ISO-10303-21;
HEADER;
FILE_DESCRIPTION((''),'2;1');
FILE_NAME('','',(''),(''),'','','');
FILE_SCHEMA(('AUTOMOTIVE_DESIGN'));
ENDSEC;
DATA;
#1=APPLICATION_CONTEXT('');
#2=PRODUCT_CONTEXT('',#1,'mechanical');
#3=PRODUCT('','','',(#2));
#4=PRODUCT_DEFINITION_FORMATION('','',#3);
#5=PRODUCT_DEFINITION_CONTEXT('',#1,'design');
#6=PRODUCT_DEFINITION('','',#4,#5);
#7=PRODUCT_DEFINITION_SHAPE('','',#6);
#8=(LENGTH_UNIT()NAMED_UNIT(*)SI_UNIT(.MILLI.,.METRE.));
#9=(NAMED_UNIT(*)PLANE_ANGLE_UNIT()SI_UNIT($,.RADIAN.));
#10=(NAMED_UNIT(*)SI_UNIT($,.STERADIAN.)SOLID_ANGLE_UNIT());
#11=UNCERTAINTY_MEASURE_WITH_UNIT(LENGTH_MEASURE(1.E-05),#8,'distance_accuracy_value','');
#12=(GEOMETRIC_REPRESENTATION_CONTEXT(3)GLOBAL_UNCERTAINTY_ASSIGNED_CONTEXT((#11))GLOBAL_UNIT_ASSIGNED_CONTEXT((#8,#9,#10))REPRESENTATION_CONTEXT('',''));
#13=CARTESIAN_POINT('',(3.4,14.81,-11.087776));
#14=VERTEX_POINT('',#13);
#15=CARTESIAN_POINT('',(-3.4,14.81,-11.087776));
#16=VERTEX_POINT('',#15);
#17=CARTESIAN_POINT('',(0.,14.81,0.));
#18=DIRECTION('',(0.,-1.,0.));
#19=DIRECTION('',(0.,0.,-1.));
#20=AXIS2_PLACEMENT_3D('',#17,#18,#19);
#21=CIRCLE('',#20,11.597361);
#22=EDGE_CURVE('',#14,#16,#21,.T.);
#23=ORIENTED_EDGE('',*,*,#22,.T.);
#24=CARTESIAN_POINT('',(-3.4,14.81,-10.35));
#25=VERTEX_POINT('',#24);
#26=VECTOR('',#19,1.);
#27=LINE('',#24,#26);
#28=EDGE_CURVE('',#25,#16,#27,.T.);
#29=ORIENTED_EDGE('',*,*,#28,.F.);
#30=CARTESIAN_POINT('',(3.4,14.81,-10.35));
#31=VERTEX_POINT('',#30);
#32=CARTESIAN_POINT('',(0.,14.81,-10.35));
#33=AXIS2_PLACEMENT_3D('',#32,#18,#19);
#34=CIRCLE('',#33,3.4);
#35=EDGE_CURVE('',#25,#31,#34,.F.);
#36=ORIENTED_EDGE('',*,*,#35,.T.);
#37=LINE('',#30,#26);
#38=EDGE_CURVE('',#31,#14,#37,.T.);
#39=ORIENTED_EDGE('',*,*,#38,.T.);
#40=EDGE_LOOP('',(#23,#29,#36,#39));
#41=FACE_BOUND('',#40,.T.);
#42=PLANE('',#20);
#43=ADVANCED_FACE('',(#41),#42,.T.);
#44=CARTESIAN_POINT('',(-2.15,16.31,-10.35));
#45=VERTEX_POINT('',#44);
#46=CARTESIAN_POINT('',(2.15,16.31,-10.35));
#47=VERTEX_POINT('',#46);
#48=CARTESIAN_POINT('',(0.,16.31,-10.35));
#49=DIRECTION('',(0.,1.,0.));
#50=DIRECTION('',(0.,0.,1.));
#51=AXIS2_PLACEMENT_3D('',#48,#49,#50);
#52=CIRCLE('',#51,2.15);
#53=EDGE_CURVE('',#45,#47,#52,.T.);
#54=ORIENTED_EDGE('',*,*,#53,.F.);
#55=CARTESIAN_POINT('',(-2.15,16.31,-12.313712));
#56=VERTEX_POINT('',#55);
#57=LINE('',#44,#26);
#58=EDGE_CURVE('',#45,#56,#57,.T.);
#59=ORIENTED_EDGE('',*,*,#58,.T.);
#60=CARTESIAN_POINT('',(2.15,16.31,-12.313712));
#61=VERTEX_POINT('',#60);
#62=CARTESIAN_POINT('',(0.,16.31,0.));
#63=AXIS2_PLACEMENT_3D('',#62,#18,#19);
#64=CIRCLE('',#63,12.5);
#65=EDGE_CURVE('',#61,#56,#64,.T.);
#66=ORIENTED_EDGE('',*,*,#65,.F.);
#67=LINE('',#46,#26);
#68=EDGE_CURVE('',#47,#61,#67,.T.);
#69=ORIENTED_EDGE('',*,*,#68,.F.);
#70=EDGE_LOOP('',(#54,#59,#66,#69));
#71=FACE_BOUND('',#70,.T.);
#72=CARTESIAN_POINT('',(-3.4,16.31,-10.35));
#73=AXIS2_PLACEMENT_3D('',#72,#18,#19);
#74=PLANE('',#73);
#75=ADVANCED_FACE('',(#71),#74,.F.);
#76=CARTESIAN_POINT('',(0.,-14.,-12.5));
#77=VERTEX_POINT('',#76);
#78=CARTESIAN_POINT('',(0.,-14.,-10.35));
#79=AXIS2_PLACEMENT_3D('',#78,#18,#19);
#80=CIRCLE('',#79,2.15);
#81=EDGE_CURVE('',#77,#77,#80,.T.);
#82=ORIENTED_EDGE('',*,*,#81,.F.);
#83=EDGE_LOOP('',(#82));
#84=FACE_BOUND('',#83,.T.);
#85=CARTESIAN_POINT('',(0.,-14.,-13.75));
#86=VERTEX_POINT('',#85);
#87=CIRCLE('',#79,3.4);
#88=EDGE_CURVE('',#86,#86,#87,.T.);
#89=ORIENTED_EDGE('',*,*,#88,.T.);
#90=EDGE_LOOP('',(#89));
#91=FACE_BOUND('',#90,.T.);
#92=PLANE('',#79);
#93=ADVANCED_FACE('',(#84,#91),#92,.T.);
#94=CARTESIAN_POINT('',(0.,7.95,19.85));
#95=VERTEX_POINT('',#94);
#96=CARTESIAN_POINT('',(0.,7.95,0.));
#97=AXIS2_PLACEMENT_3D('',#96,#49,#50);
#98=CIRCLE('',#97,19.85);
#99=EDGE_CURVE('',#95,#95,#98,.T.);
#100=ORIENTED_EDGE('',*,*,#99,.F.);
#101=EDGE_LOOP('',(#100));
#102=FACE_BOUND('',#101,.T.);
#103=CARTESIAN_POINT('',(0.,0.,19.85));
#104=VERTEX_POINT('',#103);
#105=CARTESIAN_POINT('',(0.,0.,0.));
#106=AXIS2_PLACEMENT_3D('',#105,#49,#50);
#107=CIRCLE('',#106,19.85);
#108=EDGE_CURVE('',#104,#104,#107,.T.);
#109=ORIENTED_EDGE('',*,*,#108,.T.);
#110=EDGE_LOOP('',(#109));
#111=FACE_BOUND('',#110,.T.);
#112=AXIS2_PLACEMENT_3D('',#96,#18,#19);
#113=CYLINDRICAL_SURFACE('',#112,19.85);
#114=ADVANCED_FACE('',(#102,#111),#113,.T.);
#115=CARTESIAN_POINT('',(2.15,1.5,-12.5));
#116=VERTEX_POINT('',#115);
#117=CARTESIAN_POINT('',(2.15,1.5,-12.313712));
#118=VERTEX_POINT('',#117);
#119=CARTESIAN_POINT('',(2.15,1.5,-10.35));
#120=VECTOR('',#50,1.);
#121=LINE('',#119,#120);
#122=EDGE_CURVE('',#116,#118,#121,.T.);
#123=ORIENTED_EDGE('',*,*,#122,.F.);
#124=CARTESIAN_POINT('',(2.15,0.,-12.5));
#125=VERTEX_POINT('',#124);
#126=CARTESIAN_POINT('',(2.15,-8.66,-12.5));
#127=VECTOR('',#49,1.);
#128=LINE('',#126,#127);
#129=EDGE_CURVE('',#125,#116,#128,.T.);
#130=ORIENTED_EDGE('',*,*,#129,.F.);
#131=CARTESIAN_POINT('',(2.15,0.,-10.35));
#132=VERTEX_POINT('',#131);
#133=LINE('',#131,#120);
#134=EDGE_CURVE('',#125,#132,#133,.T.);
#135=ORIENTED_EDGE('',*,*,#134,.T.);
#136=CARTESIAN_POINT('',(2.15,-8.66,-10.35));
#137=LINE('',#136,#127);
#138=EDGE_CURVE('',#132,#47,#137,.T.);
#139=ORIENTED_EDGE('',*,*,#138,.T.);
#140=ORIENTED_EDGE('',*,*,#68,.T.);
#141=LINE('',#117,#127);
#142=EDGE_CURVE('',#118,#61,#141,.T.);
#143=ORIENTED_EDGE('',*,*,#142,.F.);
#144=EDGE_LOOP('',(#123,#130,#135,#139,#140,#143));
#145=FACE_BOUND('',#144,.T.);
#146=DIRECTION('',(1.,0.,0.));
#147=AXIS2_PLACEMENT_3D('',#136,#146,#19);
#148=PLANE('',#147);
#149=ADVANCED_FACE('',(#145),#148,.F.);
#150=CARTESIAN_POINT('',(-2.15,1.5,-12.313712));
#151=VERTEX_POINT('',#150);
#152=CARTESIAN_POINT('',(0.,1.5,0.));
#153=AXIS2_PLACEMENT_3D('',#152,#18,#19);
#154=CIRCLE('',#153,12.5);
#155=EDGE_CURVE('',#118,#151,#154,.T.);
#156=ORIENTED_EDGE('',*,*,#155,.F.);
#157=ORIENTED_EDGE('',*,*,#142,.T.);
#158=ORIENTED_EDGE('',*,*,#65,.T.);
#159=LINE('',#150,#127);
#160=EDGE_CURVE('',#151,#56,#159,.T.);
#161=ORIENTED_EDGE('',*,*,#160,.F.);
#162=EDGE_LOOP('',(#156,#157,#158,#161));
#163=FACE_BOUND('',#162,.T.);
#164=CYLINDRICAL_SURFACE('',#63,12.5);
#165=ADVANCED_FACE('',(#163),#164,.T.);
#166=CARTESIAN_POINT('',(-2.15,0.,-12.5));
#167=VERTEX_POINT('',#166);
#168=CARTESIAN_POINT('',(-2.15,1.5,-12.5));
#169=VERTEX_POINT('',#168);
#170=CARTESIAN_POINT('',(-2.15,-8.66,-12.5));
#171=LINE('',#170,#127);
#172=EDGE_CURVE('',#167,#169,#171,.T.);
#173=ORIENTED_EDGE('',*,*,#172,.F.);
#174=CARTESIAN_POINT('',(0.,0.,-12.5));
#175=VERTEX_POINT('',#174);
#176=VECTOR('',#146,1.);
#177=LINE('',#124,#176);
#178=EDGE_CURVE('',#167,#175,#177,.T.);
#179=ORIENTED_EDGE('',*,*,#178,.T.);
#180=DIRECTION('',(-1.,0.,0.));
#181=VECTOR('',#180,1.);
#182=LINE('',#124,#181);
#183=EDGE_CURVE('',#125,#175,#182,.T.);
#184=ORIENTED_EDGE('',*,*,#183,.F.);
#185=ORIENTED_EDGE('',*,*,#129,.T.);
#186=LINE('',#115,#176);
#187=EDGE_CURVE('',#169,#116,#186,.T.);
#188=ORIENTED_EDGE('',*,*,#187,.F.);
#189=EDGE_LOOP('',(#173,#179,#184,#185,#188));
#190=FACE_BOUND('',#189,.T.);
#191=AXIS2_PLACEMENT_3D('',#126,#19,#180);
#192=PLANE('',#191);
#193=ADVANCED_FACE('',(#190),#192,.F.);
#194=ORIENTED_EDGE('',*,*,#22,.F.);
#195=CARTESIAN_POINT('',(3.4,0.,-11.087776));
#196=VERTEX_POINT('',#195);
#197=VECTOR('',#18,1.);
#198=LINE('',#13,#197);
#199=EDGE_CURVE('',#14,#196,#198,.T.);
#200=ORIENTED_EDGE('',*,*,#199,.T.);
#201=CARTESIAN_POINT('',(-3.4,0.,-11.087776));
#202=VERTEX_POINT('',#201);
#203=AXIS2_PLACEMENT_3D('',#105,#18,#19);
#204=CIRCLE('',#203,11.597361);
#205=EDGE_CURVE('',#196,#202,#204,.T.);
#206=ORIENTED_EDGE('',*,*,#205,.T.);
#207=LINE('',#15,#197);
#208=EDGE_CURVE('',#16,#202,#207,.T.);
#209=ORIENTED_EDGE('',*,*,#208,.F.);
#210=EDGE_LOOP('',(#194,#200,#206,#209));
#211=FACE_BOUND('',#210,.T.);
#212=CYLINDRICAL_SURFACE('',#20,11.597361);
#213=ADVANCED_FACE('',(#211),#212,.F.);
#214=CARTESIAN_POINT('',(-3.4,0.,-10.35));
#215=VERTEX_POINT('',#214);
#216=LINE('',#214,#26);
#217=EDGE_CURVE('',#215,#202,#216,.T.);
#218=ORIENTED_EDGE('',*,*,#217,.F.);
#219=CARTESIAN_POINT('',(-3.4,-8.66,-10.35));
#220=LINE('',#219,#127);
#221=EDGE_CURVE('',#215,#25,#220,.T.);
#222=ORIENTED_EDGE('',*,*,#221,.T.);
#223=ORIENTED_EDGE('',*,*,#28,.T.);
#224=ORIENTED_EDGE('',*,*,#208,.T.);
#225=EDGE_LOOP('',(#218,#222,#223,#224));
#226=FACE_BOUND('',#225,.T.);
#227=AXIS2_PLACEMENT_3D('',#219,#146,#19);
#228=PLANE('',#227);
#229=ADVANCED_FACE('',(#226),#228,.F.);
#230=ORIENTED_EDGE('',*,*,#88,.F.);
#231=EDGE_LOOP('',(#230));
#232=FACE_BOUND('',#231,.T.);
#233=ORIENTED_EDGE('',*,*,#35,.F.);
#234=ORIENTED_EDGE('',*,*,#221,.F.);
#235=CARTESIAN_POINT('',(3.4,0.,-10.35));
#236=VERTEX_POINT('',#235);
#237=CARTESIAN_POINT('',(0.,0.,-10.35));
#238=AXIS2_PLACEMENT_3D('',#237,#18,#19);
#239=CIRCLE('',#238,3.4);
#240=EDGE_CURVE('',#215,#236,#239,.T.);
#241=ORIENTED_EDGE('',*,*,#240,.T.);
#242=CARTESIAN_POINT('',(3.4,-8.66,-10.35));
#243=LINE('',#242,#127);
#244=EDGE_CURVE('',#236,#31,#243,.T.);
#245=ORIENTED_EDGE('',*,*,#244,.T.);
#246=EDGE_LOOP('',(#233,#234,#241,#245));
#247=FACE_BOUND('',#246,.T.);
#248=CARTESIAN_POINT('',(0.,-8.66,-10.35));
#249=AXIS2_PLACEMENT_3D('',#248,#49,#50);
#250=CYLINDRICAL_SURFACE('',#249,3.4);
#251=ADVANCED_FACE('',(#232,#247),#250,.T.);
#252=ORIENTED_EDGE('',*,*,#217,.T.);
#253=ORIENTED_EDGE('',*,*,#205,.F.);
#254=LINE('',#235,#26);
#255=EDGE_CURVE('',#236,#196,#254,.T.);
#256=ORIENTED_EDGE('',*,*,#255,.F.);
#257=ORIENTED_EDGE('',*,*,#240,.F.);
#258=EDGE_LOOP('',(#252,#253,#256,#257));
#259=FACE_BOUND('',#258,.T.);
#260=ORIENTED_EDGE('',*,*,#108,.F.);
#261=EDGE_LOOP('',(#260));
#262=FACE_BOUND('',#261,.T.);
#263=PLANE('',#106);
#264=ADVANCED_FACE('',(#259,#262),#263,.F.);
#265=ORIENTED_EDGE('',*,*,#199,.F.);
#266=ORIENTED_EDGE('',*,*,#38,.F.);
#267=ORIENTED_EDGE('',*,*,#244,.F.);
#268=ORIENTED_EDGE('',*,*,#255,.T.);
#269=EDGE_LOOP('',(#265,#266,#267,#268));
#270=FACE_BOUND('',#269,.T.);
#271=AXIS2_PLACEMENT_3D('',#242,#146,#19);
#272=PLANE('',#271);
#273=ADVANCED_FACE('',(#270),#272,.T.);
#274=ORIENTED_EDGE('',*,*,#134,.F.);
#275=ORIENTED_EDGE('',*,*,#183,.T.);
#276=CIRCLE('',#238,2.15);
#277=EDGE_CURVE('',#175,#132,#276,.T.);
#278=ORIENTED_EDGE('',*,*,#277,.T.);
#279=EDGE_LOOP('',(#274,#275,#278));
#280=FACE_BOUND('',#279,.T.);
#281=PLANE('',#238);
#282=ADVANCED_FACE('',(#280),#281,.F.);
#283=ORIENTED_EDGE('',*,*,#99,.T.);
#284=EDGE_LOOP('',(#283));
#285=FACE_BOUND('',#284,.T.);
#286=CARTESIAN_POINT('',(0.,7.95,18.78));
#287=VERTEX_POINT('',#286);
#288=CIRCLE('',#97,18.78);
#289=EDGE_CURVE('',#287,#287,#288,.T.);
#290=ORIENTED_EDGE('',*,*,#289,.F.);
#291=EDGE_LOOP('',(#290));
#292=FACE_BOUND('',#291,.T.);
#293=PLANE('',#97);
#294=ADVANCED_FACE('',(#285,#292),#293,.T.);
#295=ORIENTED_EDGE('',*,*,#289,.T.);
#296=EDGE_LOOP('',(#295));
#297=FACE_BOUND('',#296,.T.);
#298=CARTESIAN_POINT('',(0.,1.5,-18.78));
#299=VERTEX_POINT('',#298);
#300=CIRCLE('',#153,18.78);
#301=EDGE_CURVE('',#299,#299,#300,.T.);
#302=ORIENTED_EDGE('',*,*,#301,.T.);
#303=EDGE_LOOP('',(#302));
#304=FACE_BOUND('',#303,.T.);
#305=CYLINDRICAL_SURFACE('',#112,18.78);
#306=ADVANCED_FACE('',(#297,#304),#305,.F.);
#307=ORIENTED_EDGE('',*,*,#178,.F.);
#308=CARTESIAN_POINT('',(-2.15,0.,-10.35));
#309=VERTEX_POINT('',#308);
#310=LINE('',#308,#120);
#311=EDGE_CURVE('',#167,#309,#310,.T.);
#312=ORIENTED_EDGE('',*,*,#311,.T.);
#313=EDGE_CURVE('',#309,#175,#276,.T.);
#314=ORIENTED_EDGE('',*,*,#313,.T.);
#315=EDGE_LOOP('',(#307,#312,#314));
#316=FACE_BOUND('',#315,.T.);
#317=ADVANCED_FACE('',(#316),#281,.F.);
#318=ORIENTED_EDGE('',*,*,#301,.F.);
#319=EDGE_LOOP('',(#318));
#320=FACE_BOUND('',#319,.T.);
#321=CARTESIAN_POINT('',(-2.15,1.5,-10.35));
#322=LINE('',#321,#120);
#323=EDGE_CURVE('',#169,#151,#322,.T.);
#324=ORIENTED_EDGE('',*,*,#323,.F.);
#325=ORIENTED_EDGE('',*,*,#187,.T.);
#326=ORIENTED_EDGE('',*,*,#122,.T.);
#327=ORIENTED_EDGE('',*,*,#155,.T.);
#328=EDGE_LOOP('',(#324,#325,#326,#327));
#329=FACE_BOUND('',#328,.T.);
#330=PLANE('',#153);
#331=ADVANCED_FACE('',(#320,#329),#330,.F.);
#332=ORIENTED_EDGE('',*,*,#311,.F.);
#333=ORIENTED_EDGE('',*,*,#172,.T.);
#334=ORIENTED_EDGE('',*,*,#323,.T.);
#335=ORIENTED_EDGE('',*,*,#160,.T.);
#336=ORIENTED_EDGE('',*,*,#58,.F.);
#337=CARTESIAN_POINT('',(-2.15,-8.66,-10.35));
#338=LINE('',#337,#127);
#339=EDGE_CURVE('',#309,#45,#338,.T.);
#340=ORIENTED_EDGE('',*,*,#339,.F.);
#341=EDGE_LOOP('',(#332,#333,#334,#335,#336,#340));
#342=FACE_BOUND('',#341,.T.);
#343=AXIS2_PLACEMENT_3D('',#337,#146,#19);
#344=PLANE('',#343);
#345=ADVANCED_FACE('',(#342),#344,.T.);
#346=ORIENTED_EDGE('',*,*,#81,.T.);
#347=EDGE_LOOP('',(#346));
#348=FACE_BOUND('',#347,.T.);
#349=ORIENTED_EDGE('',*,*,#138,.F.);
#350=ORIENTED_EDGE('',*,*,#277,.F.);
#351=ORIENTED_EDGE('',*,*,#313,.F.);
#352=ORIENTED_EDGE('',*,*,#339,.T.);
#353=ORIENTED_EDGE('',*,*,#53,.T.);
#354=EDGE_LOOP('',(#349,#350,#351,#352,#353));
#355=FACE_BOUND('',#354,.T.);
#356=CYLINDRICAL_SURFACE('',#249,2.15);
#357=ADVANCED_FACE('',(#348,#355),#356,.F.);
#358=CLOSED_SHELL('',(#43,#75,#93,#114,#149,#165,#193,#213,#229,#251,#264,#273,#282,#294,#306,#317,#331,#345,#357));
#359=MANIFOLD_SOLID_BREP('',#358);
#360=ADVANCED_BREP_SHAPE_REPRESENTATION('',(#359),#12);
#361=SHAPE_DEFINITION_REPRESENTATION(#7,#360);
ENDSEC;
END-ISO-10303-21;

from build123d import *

# Parameters (mm, degrees)
SKETCH1_R            = 19.85
SKETCH1_R_2          = 18.78
BOSS_EXTRUDE3_DEPTH  = 7.95
SKETCH2_R            = 18.78
BOSS_EXTRUDE5_DEPTH  = 1.5
SKETCH4_R            = 12.5
BOSS_EXTRUDE6_DEPTH  = 16.31
SKETCH5_R            = 2.15
SKETCH5_W            = 4.3
SKETCH5_H            = 2.15
CUT_EXTRUDE2_DEPTH   = 16.31
SKETCH6_R            = 11.597360911
CUT_EXTRUDE3_DEPTH   = 14.809999892
SKETCH12_R           = 3.4
SKETCH12_W           = 6.8
SKETCH12_H           = 3.4
BOSS_EXTRUDE8_DEPTH  = 24.969999892
SKETCH5_6_R          = 2.15
SKETCH5_6_W          = 4.3
SKETCH5_6_H          = 2.15
CUT_EXTRUDE5_DEPTH   = 24.969999892
CUT_EXTRUDE6_START   = -14.81
SKETCH14_R           = 15.219310499
SKETCH14_R_2         = 12.5
CUT_EXTRUDE6_DEPTH   = 14.81
SKETCH17_W           = 6.8
SKETCH17_H           = 2.662223843
CUT_EXTRUDE7_DEPTH   = 16.587999892
SKETCH18_R           = 3.4
SKETCH18_R_2         = 2.15
BOSS_EXTRUDE10_DEPTH = 14
SKETCH19_R           = 5.618160511
SKETCH19_R_2         = 3.4
CUT_EXTRUDE8_DEPTH   = 14


with BuildPart() as part:
    # Sketch1 → Boss-Extrude3 (new body)
    with BuildSketch(Plane(origin=(0, 0, 0), x_dir=(1, 0, 0), z_dir=(0, 1, 0))):
        Circle(SKETCH1_R)
        Circle(SKETCH1_R_2, mode=Mode.SUBTRACT)
    extrude(amount=BOSS_EXTRUDE3_DEPTH)

    # Sketch2 → Boss-Extrude5 (add)
    with BuildSketch(Plane.XZ):
        Circle(SKETCH2_R)
    extrude(amount=-BOSS_EXTRUDE5_DEPTH)


with BuildPart() as body_2:
    # Sketch4 → Boss-Extrude6 (new body)
    with BuildSketch(Plane.XZ):
        Circle(SKETCH4_R)
    extrude(amount=-BOSS_EXTRUDE6_DEPTH)


with BuildPart() as cut_extrude2_tool:
    # Sketch5 → Cut-Extrude2 (new body)
    with BuildSketch(Plane(origin=(0, 16.31, 0), x_dir=(1, 0, 0), z_dir=(0, 1, 0))):
        with Locations((0, 10.35)):
            Circle(SKETCH5_R)
        with Locations((0, 11.425)):
            Rectangle(SKETCH5_W, SKETCH5_H)
    extrude(amount=-CUT_EXTRUDE2_DEPTH)


with BuildPart() as part_1:
    add(part.part)

    # Cut-Extrude2: cut by cut_extrude2_tool
    add(cut_extrude2_tool.part, mode=Mode.SUBTRACT)


with BuildPart() as body_2_1:
    add(body_2.part)

    # Cut-Extrude2: cut by cut_extrude2_tool
    add(cut_extrude2_tool.part, mode=Mode.SUBTRACT)


with BuildPart() as cut_extrude3_tool:
    # Sketch6 → Cut-Extrude3 (new body)
    with BuildSketch(Plane.XZ):
        Circle(SKETCH6_R)
    extrude(amount=-CUT_EXTRUDE3_DEPTH)


with BuildPart() as part_2:
    add(part_1.part)

    # Cut-Extrude3: cut by cut_extrude3_tool
    add(cut_extrude3_tool.part, mode=Mode.SUBTRACT)



with BuildPart() as body_2_2:
    add(body_2_1.part)

    # Cut-Extrude3: cut by cut_extrude3_tool
    add(cut_extrude3_tool.part, mode=Mode.SUBTRACT)


with BuildPart() as part_3:
    add(part_2.part)

    add(body_2_2.part)  # Boss-Extrude8 merges body 2
    # Sketch12 → Boss-Extrude8 (add)
    with BuildSketch(Plane(origin=(0, 16.31, 0), x_dir=(1, 0, 0), z_dir=(0, 1, 0))):
        with Locations((0, 10.35)):
            Circle(SKETCH12_R)
        with Locations((0, 12.05)):
            Rectangle(SKETCH12_W, SKETCH12_H)
    extrude(amount=-BOSS_EXTRUDE8_DEPTH)

    # Sketch5<6> → Cut-Extrude5 (cut)
    with BuildSketch(Plane(origin=(0, 16.31, 0), x_dir=(1, 0, 0), z_dir=(0, 1, 0))):
        with Locations((0, 10.35)):
            Circle(SKETCH5_6_R)
        with Locations((0, 11.425)):
            Rectangle(SKETCH5_6_W, SKETCH5_6_H)
    extrude(amount=-CUT_EXTRUDE5_DEPTH, mode=Mode.SUBTRACT)

    # Sketch14 → Cut-Extrude6 (cut)
    with BuildSketch(Plane(origin=(0, 16.31, 0), x_dir=(1, 0, 0), z_dir=(0, 1, 0)).offset(CUT_EXTRUDE6_START)):
        Circle(SKETCH14_R)
        Circle(SKETCH14_R_2, mode=Mode.SUBTRACT)
    extrude(amount=CUT_EXTRUDE6_DEPTH, mode=Mode.SUBTRACT)

    # Sketch17 → Cut-Extrude7 (cut)
    with BuildSketch(Plane.XZ):
        with Locations((0, -12.418888079)):
            Rectangle(SKETCH17_W, SKETCH17_H)
    extrude(amount=CUT_EXTRUDE7_DEPTH, mode=Mode.SUBTRACT)

    # Sketch18 → Boss-Extrude10 (add)
    with BuildSketch(Plane.XZ):
        with Locations((0, -10.35)):
            Circle(SKETCH18_R)
        with Locations((0, -10.35)):
            Circle(SKETCH18_R_2, mode=Mode.SUBTRACT)
    extrude(amount=BOSS_EXTRUDE10_DEPTH)

    # Sketch19 → Cut-Extrude8 (cut)
    with BuildSketch(Plane.XZ):
        with Locations((0, -10.35)):
            Circle(SKETCH19_R)
        with Locations((0, -10.35)):
            Circle(SKETCH19_R_2, mode=Mode.SUBTRACT)
    extrude(amount=CUT_EXTRUDE8_DEPTH, mode=Mode.SUBTRACT)


solid = part_3.part
